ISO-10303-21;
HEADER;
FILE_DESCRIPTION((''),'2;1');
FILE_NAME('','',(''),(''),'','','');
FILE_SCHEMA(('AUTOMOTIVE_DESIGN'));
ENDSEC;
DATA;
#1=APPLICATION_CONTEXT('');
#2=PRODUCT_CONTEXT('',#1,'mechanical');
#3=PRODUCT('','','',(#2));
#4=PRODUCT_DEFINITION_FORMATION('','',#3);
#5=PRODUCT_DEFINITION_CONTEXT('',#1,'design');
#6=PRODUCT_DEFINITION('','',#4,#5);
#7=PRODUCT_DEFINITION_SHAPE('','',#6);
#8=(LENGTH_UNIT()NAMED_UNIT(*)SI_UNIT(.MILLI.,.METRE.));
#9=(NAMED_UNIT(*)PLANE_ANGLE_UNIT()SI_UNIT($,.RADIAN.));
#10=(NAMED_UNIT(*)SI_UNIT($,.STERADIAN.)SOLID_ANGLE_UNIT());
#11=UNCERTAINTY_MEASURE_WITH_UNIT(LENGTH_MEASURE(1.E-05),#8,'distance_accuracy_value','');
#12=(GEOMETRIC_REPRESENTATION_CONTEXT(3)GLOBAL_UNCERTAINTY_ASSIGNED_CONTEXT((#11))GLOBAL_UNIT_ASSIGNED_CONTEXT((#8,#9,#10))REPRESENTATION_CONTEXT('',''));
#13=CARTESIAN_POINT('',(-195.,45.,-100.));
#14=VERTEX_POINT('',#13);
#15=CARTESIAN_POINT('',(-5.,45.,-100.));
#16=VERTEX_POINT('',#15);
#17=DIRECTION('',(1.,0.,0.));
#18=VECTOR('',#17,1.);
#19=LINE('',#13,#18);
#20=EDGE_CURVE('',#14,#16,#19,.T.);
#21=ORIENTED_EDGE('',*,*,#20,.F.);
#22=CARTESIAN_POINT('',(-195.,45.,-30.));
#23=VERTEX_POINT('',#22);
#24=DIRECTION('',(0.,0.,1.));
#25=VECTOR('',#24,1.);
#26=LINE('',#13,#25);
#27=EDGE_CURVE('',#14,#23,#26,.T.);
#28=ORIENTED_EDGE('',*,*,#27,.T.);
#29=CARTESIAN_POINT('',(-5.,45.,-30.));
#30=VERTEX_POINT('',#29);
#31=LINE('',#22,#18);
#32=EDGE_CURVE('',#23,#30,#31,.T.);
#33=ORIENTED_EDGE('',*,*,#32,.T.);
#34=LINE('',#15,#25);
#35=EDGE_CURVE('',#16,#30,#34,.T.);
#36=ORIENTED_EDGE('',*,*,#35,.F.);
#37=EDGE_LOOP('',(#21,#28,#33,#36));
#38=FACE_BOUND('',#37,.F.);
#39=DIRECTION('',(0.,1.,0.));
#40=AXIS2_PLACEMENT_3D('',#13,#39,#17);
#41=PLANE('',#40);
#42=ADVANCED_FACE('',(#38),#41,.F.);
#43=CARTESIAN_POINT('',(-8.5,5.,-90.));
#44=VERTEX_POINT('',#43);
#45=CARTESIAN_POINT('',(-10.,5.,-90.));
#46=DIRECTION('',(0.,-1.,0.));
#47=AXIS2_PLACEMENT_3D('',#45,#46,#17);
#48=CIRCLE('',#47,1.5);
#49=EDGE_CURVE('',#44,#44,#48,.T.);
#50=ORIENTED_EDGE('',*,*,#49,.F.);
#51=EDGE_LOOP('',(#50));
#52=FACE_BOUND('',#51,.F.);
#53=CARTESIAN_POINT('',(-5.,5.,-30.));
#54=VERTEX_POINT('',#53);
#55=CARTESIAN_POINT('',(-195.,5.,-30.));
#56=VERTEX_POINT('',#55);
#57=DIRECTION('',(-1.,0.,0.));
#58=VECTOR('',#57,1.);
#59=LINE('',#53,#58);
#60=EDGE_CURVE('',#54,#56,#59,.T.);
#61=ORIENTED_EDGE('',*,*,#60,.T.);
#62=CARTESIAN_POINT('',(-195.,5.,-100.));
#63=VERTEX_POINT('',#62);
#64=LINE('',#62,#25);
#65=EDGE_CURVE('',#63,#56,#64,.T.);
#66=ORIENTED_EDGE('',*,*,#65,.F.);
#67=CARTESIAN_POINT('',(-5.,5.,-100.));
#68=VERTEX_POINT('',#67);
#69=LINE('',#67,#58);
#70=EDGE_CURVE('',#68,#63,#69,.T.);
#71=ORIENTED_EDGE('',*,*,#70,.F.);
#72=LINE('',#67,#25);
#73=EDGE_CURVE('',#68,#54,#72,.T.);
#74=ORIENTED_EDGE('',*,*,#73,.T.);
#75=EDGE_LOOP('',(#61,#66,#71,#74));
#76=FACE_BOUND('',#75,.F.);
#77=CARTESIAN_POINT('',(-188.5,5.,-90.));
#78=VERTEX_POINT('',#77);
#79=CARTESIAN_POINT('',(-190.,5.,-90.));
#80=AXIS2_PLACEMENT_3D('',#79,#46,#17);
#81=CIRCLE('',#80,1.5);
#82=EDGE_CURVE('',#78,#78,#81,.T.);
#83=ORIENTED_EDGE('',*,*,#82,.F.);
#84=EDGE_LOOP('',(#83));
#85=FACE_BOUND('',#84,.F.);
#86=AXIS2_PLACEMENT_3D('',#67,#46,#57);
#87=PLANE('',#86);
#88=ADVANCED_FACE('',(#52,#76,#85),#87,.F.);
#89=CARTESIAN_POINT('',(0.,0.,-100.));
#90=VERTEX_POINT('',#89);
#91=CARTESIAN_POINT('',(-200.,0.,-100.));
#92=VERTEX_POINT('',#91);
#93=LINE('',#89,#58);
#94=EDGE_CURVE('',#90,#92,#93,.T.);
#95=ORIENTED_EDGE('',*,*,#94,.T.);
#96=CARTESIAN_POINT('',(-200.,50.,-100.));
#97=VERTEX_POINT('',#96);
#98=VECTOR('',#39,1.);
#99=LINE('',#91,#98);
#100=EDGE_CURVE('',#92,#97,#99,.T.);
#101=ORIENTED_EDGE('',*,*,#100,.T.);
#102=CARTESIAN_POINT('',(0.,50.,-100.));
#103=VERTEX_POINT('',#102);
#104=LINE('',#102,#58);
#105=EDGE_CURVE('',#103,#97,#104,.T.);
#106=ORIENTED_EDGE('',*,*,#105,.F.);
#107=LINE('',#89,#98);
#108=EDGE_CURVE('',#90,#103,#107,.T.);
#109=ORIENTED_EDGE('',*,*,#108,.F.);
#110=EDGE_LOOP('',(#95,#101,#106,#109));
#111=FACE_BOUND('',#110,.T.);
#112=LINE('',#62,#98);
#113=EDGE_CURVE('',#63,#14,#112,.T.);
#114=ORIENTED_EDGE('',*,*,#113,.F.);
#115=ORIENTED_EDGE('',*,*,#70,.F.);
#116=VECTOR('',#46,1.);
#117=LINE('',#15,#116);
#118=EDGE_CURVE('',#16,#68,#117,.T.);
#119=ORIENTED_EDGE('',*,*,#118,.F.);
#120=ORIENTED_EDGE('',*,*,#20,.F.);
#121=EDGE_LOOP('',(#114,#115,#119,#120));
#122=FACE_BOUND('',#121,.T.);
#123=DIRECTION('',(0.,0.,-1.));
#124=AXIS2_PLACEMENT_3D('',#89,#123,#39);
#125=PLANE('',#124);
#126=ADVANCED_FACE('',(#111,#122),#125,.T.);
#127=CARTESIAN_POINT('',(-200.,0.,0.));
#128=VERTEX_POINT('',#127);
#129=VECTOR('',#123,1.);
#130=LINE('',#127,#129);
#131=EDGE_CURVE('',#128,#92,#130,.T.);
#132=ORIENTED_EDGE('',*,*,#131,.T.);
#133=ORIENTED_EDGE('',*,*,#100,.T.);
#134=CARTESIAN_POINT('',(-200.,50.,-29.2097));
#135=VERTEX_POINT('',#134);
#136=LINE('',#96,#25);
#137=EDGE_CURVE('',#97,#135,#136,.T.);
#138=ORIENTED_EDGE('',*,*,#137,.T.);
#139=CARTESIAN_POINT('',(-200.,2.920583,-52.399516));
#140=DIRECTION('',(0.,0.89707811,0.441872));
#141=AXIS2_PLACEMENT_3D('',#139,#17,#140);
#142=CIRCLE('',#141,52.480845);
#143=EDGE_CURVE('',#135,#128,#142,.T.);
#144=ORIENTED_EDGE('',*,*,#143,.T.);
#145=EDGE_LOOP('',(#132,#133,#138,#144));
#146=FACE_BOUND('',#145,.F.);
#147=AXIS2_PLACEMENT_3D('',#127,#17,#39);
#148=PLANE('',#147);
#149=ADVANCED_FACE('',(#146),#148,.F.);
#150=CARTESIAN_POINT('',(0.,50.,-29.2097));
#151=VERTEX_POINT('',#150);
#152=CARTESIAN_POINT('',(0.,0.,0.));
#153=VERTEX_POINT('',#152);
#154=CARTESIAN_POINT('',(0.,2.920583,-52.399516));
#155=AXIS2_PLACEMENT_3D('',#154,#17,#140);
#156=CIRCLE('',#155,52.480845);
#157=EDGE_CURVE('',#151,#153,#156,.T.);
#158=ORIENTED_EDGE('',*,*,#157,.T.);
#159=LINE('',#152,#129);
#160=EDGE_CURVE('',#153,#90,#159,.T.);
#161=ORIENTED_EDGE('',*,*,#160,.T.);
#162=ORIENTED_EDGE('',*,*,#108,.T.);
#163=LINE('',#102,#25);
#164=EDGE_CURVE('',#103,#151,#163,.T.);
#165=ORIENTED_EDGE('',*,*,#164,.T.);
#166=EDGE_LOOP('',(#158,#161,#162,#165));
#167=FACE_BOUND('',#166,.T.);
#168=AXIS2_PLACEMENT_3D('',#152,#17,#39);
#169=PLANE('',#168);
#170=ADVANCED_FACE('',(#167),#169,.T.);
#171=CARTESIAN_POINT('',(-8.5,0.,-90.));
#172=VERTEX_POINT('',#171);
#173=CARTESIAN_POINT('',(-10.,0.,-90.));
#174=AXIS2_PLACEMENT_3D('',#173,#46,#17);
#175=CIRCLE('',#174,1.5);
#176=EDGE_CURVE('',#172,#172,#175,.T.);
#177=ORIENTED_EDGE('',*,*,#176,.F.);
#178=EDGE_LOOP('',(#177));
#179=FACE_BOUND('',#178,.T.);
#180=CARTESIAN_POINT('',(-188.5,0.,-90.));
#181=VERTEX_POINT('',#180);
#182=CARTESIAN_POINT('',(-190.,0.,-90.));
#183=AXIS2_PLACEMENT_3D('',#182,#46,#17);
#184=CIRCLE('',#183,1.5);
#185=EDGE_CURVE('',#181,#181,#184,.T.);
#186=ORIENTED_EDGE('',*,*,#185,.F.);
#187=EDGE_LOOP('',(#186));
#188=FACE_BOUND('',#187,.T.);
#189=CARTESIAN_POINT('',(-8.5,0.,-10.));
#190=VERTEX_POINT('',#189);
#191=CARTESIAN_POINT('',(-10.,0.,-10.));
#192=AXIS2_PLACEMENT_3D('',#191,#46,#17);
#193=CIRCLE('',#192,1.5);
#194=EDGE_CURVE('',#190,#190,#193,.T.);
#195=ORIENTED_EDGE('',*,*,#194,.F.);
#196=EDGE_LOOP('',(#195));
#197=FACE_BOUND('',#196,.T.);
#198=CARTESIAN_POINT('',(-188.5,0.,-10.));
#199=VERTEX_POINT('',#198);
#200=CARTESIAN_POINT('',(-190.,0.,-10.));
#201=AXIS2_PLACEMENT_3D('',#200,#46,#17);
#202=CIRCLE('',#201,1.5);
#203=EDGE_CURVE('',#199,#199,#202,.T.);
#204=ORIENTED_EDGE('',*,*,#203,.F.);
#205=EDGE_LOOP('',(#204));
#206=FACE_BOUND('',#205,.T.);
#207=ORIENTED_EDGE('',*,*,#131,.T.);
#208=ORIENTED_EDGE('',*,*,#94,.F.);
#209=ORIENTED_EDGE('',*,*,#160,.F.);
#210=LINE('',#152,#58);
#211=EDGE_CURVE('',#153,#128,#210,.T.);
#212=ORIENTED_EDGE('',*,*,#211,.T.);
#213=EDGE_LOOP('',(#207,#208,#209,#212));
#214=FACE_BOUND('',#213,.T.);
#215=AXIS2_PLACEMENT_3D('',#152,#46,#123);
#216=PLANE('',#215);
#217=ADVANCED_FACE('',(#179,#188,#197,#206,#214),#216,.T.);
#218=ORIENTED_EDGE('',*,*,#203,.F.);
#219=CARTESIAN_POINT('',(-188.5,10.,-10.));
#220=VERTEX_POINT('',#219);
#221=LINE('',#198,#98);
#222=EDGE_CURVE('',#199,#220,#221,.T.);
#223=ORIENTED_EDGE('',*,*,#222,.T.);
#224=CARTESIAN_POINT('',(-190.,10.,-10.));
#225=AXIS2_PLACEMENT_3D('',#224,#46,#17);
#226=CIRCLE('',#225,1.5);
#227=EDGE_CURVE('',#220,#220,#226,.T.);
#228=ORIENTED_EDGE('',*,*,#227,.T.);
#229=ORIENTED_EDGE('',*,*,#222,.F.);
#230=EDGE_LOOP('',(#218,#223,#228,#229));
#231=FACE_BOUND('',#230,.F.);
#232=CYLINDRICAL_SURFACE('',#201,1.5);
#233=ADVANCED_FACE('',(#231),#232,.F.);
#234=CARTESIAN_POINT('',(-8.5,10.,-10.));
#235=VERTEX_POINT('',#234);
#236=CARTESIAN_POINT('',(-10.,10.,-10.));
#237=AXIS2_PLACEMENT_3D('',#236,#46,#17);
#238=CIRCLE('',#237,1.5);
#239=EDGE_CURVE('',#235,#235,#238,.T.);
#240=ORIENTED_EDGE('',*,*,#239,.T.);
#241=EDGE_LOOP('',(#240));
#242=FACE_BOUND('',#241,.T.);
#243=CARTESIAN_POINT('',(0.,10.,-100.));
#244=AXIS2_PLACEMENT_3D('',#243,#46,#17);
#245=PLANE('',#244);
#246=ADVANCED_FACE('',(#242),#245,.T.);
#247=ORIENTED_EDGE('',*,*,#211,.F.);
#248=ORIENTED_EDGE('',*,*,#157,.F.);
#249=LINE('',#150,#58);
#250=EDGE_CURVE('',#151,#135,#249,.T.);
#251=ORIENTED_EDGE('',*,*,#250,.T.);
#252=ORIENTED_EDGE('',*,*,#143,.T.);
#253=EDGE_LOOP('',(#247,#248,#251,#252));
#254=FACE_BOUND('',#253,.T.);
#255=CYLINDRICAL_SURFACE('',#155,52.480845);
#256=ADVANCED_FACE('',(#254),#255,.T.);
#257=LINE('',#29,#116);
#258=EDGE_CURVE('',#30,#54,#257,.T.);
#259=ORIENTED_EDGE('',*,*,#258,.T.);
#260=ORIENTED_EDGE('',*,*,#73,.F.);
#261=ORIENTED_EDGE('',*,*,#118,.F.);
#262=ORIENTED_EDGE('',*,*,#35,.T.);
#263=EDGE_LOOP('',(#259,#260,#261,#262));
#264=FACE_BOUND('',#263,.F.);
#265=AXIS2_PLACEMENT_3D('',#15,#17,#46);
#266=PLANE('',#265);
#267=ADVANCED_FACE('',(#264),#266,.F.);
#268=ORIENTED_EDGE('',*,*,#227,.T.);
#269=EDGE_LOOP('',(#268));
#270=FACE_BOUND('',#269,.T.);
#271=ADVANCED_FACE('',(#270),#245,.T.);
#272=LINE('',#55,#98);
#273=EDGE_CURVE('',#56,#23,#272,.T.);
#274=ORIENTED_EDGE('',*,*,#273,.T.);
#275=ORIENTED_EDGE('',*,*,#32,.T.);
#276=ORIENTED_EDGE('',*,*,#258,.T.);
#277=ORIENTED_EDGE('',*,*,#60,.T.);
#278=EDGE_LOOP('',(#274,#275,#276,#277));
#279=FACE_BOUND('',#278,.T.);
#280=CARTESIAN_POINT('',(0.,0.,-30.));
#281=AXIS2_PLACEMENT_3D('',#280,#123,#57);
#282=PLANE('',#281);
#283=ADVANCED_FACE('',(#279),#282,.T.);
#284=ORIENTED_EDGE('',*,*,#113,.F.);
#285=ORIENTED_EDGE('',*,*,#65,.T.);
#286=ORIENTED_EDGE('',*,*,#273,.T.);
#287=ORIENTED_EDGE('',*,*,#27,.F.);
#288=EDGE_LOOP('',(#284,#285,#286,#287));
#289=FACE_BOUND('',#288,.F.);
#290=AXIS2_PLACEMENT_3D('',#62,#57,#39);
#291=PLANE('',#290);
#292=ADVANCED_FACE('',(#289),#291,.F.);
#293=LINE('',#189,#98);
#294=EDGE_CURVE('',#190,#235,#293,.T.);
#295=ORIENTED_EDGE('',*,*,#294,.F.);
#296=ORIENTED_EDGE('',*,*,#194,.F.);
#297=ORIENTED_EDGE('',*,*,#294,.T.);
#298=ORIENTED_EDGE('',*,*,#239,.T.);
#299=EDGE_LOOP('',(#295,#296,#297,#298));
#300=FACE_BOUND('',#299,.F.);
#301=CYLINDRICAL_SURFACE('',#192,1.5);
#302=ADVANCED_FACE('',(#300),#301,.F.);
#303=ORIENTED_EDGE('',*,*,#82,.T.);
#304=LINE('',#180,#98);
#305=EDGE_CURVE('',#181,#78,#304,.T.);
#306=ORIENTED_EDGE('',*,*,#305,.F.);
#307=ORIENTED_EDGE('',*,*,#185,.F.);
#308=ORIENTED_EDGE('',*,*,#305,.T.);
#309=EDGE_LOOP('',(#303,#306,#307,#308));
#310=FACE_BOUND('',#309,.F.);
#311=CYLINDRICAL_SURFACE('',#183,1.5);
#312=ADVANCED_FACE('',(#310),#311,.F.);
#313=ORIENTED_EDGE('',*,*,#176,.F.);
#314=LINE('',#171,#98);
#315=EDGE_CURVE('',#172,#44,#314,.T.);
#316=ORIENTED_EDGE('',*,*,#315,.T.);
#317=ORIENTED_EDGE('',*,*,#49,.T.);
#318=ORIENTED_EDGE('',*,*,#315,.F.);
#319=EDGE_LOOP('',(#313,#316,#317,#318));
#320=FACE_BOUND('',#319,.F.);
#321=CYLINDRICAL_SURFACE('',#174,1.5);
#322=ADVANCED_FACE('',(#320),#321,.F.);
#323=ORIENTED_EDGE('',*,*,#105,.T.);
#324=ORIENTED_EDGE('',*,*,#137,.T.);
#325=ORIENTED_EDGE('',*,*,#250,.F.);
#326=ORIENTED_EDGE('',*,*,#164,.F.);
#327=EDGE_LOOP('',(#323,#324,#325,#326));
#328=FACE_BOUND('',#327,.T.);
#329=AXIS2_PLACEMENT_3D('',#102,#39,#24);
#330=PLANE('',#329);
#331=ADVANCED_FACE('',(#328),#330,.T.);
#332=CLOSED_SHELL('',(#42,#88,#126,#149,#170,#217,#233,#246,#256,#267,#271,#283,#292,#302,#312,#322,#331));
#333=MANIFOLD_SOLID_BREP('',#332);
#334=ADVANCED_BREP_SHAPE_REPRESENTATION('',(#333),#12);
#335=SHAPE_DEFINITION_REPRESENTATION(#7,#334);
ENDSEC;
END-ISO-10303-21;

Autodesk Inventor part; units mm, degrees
ref_plane "YZ Plane" through (0, 0, 0) normal (1, 0, 0) x (0, 1, 0)
ref_plane "XZ Plane" through (0, 0, 0) normal (0, 1, 0) x (-1, 0, 0)
ref_plane "XY Plane" through (0, 0, 0) normal (0, 0, 1) x (1, 0, 0)
sketch "Sketch1" plane through (0, 0, 0) normal (1, 0, 0) x (0, 1, 0)
  line L0 (0, 0) -> (0, -100)
  line L1 (0, -100) -> (50, -100)
  line L2 (50, -100) -> (50, -29.2097)
  arc A0 (50, -29.2097) -> (0, 0) centre (2.9206, -52.3995) ccw
  dimension "d0" = 100
  dimension "d1" = 50
extrude "Extrusion1" add sketch "Sketch1" against normal blind 200
sketch "Sketch4" plane through (0, 0, -100) normal (0, 0, -1) x (-1, 0, 0)
  line L0 (5, 45) -> (5, 5)
  line L1 (5, 5) -> (195, 5)
  line L2 (195, 5) -> (195, 45)
  line L3 (195, 45) -> (5, 45)
  line L4 (0, 50) -> (200, 50) projected
  line L5 (0, 0) -> (0, 50) projected
  line L6 (200, 50) -> (200, 0) projected
  line L7 (0, 0) -> (200, 0) projected
  dimension "d5" = 5
  dimension "d6" = 5
  dimension "d7" = 5
  dimension "d8" = 5
extrude "Extrusion2" cut sketch "Sketch4" against normal blind 70 contours L3 L2 L1 L0
sketch "Sketch5" plane through (0, 0, -100) normal (0, -1, 0) x (1, 0, 0)
  circle A0 centre (-10, 90) radius 1.5
  circle A1 centre (-10, 10) radius 1.5
  circle A2 centre (-190, 90) radius 1.5
  circle A3 centre (-190, 10) radius 1.5
  line L0 (0, 100) -> (-200, 100) projected
  line L1 (0, 0) -> (-200, 0) projected
  line L2 (0, 100) -> (0, 0) projected
  line L3 (-200, 0) -> (-200, 100) projected
  point P0 (-195, 0)
  dimension "d11" = 3
  dimension "d12" = 3
  dimension "d13" = 3
  dimension "d14" = 3
  dimension "d15" = 10
  dimension "d16" = 10
  dimension "d17" = 10
  dimension "d18" = 10
  dimension "d19" = 10
  dimension "d20" = 10
  dimension "d22" = 10
  dimension "d23" = 10
extrude "Extrusion3" cut sketch "Sketch5" against normal blind 10 contours A0 | A1 | A2 | A3
equation "\"d1\" = 0.5 * d0"
equation "\"d16\" = d15"
equation "\"d18\" = d17"
equation "\"d19\" = d17"
equation "\"d20\" = d15"
equation "\"d22\" = d17"
equation "\"d23\" = d15"
properties part number "Container"
